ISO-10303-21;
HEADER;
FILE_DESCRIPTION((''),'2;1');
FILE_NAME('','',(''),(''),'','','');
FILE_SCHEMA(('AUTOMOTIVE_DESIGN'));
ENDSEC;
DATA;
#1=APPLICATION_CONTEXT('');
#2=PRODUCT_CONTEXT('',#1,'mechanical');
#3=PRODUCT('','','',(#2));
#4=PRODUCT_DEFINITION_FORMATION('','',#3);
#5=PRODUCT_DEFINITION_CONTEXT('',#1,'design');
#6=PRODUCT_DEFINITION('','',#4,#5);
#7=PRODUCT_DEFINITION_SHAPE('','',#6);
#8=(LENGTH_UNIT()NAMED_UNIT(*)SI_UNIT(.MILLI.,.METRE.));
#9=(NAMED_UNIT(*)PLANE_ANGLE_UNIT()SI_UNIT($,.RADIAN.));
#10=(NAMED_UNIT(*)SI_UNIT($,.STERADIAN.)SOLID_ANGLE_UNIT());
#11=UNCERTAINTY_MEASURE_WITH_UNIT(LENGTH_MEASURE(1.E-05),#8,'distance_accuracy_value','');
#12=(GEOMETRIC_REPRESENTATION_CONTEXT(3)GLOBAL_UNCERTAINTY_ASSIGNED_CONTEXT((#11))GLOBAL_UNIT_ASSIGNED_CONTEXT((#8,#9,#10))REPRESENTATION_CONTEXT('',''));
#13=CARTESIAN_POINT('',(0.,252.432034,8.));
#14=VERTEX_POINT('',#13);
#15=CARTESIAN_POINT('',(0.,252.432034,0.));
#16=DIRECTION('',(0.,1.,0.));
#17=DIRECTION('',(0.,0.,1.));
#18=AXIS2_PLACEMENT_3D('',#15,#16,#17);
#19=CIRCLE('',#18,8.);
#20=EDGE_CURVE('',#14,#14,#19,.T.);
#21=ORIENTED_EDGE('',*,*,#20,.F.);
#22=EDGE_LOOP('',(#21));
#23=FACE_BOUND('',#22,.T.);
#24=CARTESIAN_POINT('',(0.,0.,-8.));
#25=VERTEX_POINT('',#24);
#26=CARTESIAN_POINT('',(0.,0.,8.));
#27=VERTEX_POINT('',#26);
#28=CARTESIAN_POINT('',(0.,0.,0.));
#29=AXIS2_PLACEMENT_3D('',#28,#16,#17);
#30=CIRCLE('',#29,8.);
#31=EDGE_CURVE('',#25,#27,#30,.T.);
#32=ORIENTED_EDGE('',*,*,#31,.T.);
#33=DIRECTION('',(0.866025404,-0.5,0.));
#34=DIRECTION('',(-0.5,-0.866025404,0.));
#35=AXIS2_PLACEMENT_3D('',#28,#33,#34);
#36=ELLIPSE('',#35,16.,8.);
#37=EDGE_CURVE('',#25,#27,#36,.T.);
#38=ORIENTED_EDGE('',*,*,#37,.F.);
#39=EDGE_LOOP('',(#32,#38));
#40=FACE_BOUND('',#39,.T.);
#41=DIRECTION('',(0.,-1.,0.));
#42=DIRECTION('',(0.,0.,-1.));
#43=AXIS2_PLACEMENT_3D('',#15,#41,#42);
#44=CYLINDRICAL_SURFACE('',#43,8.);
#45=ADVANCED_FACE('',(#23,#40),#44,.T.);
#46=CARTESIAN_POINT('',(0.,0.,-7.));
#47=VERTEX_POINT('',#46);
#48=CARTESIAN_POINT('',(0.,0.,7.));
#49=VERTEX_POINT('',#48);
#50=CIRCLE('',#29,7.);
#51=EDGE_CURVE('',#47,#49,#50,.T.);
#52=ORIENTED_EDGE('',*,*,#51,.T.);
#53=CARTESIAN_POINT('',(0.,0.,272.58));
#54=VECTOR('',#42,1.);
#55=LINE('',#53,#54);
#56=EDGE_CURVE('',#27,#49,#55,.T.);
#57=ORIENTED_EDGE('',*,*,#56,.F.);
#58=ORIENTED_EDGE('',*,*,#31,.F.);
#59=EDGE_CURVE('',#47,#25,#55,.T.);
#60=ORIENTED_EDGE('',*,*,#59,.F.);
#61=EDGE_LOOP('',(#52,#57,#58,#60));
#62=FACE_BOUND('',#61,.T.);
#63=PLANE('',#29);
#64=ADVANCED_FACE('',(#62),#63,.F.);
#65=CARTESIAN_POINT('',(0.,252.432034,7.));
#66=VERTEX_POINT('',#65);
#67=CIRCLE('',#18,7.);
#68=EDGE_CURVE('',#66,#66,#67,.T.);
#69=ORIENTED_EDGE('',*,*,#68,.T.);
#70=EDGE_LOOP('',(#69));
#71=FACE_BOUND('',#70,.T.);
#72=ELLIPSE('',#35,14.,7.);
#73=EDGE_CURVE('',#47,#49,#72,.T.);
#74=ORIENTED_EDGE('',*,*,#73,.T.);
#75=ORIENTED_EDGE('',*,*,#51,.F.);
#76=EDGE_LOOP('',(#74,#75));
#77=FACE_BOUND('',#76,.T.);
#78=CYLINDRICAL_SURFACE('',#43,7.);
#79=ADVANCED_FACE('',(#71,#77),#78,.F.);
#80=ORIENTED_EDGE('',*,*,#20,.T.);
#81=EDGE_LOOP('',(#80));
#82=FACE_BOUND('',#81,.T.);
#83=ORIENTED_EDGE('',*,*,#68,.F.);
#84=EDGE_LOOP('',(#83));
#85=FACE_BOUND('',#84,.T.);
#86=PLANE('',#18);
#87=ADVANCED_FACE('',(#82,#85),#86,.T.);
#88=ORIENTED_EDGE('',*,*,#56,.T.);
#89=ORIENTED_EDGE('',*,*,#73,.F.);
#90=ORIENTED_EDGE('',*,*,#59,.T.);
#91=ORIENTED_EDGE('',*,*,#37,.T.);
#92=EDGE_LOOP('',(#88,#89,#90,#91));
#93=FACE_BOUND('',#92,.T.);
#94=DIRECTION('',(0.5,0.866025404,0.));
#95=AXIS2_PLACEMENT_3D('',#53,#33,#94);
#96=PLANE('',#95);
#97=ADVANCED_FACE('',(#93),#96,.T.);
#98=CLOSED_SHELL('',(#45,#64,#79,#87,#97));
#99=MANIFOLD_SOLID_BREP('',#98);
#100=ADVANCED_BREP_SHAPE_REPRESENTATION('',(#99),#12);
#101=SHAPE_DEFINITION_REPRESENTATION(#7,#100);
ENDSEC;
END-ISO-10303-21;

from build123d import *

# Parameters (mm, degrees)
SKETCH1_R               = 8
SKETCH1_R_2             = 7
BOSS_EXTRUDE1_DEPTH     = 252.432034356
CUT_EXTRUDE1_DEPTH      = 272.58
CUT_EXTRUDE1_DEPTH_BACK = 272.58


with BuildPart() as part:
    # Sketch1 → Boss-Extrude1 (new body)
    with BuildSketch(Plane(origin=(0, 0, 0), x_dir=(1, 0, 0), z_dir=(0, 1, 0))):
        Circle(SKETCH1_R)
        Circle(SKETCH1_R_2, mode=Mode.SUBTRACT)
    extrude(amount=BOSS_EXTRUDE1_DEPTH)

    # Sketch2 → Cut-Extrude1 (cut, two sides: drawn at the far end of the back side and taken through both)
    with BuildSketch(Plane.XY.offset(-CUT_EXTRUDE1_DEPTH_BACK)):
        Polygon((0, 0), (8, 13.856406461), (8, 0), align=None)
    extrude(amount=CUT_EXTRUDE1_DEPTH + CUT_EXTRUDE1_DEPTH_BACK, mode=Mode.SUBTRACT)


solid = part.part
